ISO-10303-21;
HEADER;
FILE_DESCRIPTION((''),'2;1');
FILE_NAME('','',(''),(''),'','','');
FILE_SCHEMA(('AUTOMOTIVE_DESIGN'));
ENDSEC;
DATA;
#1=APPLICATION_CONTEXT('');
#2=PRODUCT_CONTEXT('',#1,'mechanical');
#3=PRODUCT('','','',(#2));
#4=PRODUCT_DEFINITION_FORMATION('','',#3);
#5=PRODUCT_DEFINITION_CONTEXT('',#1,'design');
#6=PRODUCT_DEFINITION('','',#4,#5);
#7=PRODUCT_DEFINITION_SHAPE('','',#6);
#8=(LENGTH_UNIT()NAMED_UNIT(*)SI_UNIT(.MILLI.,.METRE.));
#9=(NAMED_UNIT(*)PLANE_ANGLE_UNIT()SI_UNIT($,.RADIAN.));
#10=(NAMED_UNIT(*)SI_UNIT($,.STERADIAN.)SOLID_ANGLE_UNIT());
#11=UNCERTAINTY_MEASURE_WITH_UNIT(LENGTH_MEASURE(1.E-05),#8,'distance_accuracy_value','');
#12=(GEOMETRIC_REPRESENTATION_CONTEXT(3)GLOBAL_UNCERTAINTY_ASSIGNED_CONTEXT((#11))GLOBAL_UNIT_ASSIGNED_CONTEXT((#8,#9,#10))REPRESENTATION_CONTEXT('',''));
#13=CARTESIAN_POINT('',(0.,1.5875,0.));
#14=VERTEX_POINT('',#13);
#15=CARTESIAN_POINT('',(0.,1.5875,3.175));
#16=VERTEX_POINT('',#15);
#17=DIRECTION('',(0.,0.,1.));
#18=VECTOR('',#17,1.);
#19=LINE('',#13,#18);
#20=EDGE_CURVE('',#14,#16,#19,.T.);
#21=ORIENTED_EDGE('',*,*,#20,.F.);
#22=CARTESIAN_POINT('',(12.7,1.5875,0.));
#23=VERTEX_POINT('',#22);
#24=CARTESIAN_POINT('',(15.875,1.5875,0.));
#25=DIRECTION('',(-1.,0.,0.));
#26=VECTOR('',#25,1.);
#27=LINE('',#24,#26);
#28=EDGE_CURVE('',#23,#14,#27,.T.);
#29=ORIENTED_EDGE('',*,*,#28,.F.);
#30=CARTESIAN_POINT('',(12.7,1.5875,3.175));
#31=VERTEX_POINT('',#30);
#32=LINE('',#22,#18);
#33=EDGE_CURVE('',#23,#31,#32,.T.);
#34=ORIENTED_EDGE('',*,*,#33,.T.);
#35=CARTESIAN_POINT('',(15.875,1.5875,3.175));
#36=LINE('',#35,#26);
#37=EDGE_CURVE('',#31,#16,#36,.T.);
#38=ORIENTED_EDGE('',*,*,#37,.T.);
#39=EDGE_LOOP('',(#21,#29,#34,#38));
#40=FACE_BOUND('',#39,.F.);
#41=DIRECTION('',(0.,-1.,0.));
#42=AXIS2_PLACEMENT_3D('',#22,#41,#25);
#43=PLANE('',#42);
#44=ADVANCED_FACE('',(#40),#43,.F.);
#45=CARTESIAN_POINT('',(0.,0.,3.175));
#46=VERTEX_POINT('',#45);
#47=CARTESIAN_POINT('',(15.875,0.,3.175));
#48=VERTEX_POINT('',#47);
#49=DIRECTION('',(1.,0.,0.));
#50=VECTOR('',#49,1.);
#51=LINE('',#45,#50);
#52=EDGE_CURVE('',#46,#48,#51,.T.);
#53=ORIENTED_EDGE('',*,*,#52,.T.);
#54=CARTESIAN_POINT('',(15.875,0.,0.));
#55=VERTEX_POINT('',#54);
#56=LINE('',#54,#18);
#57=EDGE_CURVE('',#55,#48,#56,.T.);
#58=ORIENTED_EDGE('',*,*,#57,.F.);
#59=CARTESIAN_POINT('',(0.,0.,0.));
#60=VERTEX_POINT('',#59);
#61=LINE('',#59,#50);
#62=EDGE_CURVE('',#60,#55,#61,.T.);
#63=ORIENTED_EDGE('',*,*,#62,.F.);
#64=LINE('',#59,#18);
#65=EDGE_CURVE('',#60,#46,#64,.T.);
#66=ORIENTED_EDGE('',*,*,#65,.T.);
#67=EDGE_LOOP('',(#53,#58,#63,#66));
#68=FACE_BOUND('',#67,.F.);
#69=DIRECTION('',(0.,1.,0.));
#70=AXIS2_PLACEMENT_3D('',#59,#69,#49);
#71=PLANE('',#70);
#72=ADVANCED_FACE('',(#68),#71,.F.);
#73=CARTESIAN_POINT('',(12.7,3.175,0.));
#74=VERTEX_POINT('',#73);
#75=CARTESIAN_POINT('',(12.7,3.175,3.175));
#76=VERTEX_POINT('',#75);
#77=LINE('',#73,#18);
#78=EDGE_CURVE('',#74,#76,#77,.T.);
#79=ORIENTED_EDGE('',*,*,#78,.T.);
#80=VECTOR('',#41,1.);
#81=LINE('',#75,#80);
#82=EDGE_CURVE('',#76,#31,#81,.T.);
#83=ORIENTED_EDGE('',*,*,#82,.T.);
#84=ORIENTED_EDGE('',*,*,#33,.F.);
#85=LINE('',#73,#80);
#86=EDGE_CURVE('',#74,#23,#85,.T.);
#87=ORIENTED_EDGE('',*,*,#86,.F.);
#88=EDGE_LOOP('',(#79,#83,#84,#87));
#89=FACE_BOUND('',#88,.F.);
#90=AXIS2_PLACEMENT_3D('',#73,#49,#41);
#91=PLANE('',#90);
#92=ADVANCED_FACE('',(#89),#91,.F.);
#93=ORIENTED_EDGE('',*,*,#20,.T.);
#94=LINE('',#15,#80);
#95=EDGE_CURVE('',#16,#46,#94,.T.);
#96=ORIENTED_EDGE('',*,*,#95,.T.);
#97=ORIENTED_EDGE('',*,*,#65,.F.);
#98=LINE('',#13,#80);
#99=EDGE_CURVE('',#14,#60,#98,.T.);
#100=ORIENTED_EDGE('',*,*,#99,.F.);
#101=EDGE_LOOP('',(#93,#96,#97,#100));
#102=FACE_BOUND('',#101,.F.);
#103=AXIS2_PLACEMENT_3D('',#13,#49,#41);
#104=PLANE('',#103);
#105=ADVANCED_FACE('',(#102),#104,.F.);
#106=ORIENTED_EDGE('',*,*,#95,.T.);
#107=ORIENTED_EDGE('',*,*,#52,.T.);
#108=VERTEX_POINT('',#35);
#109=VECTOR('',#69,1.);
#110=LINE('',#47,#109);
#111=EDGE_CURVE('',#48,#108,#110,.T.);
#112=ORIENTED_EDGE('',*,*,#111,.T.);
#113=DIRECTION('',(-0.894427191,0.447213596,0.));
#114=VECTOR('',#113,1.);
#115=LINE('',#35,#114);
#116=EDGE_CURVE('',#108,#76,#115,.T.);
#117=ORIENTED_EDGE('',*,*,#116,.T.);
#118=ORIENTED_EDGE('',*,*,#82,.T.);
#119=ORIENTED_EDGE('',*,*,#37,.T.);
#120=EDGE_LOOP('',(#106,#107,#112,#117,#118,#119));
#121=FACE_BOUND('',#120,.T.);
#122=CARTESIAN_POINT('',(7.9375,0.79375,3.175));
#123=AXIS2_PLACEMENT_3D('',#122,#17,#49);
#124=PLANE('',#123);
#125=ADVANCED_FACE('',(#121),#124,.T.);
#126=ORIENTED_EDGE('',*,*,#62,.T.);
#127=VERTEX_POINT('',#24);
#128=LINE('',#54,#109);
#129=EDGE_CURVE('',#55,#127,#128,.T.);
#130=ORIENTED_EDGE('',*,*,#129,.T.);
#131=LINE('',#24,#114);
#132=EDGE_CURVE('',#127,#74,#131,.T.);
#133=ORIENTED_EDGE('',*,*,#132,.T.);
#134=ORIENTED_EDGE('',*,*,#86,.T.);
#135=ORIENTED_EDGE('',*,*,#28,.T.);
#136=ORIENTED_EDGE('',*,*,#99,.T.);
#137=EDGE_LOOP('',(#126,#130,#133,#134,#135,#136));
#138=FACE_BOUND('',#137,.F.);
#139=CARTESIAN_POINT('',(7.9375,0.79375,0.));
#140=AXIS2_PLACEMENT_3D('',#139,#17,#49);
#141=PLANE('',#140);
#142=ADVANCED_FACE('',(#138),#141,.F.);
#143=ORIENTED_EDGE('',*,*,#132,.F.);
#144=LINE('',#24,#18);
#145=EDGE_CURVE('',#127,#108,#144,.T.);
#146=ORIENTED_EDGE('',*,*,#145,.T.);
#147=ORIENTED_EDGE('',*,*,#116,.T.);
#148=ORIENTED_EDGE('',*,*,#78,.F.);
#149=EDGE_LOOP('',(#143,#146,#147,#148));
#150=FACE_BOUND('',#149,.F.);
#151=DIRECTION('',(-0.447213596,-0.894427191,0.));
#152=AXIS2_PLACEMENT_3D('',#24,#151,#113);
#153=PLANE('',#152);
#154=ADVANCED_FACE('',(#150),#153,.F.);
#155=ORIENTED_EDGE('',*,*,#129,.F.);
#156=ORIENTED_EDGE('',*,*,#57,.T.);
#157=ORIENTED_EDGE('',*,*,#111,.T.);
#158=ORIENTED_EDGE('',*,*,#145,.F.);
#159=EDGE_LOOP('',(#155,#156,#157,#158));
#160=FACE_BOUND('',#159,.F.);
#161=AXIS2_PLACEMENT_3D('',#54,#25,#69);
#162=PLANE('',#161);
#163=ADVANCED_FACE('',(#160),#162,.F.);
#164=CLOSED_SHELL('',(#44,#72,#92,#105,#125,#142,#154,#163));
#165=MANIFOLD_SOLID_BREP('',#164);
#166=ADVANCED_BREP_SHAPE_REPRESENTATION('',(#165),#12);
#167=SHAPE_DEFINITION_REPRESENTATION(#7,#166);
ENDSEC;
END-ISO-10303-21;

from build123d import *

# Parameters (mm, degrees)
F1_DEPTH = 3.175


with BuildPart() as f1:
    # F0 (on Top) → F1 (new body)
    with BuildSketch(Plane.XY):
        Polygon((0, 1.5875), (0, 0), (15.875, 0), (15.875, 1.5875), (12.7, 1.5875), align=None)
        Polygon((12.7, 1.5875), (15.875, 1.5875), (12.7, 3.175), align=None)
    extrude(amount=F1_DEPTH)


solid = f1.part
